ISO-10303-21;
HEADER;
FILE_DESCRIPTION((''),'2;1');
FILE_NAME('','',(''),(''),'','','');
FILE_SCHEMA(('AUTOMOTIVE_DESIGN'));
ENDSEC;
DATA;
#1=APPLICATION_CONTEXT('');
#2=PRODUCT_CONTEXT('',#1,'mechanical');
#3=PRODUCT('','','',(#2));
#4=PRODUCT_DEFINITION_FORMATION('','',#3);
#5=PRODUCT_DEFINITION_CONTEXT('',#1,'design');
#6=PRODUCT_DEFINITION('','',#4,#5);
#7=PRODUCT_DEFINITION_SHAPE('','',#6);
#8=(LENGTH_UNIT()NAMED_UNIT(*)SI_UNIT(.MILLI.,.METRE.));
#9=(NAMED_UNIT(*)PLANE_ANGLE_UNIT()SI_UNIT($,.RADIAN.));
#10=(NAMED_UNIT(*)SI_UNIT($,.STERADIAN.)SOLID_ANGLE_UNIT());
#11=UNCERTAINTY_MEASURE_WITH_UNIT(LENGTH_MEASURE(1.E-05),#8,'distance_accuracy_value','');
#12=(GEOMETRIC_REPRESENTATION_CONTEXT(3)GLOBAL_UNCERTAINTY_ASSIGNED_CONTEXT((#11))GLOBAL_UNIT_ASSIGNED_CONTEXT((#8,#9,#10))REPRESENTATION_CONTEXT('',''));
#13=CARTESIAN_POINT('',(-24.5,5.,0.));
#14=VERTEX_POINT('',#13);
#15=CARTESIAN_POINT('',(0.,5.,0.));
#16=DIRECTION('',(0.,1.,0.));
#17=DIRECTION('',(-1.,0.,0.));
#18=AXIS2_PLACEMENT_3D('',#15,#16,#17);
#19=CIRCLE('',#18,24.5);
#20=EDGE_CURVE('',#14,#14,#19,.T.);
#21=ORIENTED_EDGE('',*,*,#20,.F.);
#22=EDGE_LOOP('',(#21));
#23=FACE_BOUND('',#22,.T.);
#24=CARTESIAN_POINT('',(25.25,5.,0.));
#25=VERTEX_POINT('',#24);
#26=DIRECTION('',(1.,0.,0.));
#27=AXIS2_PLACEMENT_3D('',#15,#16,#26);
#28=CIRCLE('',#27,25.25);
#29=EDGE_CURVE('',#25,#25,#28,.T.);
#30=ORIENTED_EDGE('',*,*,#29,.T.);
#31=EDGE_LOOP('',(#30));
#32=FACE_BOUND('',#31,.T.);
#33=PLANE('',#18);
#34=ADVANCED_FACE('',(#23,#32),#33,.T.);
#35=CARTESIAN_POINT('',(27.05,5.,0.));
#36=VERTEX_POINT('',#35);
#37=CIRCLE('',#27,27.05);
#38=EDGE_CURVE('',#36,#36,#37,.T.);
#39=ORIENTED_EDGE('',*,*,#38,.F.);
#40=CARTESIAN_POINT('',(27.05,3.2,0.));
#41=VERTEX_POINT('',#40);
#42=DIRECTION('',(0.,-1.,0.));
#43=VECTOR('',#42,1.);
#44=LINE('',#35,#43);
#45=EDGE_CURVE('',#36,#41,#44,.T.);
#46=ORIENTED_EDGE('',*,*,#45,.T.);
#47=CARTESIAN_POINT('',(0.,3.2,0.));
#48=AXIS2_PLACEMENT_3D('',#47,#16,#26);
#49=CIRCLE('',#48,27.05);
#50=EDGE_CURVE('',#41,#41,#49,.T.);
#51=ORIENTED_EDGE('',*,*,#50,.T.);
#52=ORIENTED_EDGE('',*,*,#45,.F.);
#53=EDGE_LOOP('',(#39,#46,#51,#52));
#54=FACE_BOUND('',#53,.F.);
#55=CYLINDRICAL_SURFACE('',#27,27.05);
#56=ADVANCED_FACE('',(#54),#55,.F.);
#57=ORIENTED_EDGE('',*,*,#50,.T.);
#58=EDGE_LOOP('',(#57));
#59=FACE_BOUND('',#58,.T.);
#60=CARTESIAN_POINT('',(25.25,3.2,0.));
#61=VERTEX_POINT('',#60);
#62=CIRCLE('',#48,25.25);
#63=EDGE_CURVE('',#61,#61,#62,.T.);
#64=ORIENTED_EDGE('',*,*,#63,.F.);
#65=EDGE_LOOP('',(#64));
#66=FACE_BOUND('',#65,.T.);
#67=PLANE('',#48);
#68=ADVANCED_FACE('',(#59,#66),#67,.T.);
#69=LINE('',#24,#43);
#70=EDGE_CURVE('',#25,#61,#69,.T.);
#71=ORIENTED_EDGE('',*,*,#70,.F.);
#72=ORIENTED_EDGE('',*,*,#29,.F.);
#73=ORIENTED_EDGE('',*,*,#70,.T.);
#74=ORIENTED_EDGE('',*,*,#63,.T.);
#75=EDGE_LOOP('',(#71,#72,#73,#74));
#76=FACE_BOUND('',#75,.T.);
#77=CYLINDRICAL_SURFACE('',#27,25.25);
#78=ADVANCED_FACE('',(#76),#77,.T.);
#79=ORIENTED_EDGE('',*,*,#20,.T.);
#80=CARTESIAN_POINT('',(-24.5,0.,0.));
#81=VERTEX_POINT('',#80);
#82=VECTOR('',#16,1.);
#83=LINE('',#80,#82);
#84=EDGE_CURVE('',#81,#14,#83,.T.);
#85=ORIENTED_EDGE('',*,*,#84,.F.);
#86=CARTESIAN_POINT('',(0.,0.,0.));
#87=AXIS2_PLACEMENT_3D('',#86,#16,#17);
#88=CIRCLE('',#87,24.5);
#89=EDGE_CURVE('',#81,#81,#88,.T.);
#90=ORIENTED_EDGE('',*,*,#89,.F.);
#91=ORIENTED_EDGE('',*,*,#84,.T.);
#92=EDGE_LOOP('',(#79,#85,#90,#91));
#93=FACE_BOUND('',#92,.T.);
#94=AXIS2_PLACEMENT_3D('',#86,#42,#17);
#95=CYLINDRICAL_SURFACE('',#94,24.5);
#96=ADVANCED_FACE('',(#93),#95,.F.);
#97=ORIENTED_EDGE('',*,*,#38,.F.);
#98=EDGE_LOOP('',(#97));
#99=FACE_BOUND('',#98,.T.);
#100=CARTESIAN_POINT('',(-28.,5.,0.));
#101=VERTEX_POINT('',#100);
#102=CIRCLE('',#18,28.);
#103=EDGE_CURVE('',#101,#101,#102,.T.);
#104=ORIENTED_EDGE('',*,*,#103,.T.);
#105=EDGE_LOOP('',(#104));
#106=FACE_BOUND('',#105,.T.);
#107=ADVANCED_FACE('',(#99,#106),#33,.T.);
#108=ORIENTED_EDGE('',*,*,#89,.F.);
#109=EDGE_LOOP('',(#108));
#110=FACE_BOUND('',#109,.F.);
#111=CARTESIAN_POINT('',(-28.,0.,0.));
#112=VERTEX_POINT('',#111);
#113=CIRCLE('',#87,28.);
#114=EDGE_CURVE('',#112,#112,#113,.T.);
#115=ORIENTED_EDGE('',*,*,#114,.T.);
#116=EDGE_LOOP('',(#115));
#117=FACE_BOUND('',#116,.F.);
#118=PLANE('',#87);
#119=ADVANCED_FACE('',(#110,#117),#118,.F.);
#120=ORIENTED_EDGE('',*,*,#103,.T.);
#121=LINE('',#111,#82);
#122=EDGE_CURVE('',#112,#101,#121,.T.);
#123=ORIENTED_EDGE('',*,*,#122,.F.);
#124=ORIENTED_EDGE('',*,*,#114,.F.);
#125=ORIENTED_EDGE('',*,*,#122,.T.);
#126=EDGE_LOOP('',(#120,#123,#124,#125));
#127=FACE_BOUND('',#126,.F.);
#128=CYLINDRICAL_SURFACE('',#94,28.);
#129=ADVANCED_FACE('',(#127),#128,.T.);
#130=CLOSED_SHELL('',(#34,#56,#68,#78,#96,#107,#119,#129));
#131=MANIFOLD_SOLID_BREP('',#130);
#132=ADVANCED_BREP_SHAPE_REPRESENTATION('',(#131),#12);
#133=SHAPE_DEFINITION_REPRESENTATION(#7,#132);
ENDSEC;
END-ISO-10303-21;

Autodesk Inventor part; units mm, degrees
ref_plane "YZ Plane" through (0, 0, 0) normal (1, 0, 0) x (0, 1, 0)
ref_plane "XZ Plane" through (0, 0, 0) normal (0, 1, 0) x (-1, 0, 0)
sketch "Sketch1" plane through (0, 0, 0) normal (0, 1, 0) x (-1, 0, 0)
  circle A0 centre (0, 0) radius 28
  circle A1 centre (0, 0) radius 24.5
  dimension "d0" = 56
  dimension "d5" = 49
extrude "Extrusion2" add sketch "Sketch1" along normal blind 5
sketch "Sketch3" plane through (0, 5, 0) normal (0, 1, 0) x (1, 0, 0)
  circle A0 centre (0, 0) radius 25.25
  circle A1 centre (0, 0) radius 27.05
  dimension "d8" = 50.5
  dimension "d9" = 54.1
extrude "Extrusion3" cut sketch "Sketch3" against normal blind 1.8
ref_plane "Work Plane1" through (0, 4.1, 0) normal (0, -1, 0) x (1, 0, 0)
properties part number "Smaller Cap"
